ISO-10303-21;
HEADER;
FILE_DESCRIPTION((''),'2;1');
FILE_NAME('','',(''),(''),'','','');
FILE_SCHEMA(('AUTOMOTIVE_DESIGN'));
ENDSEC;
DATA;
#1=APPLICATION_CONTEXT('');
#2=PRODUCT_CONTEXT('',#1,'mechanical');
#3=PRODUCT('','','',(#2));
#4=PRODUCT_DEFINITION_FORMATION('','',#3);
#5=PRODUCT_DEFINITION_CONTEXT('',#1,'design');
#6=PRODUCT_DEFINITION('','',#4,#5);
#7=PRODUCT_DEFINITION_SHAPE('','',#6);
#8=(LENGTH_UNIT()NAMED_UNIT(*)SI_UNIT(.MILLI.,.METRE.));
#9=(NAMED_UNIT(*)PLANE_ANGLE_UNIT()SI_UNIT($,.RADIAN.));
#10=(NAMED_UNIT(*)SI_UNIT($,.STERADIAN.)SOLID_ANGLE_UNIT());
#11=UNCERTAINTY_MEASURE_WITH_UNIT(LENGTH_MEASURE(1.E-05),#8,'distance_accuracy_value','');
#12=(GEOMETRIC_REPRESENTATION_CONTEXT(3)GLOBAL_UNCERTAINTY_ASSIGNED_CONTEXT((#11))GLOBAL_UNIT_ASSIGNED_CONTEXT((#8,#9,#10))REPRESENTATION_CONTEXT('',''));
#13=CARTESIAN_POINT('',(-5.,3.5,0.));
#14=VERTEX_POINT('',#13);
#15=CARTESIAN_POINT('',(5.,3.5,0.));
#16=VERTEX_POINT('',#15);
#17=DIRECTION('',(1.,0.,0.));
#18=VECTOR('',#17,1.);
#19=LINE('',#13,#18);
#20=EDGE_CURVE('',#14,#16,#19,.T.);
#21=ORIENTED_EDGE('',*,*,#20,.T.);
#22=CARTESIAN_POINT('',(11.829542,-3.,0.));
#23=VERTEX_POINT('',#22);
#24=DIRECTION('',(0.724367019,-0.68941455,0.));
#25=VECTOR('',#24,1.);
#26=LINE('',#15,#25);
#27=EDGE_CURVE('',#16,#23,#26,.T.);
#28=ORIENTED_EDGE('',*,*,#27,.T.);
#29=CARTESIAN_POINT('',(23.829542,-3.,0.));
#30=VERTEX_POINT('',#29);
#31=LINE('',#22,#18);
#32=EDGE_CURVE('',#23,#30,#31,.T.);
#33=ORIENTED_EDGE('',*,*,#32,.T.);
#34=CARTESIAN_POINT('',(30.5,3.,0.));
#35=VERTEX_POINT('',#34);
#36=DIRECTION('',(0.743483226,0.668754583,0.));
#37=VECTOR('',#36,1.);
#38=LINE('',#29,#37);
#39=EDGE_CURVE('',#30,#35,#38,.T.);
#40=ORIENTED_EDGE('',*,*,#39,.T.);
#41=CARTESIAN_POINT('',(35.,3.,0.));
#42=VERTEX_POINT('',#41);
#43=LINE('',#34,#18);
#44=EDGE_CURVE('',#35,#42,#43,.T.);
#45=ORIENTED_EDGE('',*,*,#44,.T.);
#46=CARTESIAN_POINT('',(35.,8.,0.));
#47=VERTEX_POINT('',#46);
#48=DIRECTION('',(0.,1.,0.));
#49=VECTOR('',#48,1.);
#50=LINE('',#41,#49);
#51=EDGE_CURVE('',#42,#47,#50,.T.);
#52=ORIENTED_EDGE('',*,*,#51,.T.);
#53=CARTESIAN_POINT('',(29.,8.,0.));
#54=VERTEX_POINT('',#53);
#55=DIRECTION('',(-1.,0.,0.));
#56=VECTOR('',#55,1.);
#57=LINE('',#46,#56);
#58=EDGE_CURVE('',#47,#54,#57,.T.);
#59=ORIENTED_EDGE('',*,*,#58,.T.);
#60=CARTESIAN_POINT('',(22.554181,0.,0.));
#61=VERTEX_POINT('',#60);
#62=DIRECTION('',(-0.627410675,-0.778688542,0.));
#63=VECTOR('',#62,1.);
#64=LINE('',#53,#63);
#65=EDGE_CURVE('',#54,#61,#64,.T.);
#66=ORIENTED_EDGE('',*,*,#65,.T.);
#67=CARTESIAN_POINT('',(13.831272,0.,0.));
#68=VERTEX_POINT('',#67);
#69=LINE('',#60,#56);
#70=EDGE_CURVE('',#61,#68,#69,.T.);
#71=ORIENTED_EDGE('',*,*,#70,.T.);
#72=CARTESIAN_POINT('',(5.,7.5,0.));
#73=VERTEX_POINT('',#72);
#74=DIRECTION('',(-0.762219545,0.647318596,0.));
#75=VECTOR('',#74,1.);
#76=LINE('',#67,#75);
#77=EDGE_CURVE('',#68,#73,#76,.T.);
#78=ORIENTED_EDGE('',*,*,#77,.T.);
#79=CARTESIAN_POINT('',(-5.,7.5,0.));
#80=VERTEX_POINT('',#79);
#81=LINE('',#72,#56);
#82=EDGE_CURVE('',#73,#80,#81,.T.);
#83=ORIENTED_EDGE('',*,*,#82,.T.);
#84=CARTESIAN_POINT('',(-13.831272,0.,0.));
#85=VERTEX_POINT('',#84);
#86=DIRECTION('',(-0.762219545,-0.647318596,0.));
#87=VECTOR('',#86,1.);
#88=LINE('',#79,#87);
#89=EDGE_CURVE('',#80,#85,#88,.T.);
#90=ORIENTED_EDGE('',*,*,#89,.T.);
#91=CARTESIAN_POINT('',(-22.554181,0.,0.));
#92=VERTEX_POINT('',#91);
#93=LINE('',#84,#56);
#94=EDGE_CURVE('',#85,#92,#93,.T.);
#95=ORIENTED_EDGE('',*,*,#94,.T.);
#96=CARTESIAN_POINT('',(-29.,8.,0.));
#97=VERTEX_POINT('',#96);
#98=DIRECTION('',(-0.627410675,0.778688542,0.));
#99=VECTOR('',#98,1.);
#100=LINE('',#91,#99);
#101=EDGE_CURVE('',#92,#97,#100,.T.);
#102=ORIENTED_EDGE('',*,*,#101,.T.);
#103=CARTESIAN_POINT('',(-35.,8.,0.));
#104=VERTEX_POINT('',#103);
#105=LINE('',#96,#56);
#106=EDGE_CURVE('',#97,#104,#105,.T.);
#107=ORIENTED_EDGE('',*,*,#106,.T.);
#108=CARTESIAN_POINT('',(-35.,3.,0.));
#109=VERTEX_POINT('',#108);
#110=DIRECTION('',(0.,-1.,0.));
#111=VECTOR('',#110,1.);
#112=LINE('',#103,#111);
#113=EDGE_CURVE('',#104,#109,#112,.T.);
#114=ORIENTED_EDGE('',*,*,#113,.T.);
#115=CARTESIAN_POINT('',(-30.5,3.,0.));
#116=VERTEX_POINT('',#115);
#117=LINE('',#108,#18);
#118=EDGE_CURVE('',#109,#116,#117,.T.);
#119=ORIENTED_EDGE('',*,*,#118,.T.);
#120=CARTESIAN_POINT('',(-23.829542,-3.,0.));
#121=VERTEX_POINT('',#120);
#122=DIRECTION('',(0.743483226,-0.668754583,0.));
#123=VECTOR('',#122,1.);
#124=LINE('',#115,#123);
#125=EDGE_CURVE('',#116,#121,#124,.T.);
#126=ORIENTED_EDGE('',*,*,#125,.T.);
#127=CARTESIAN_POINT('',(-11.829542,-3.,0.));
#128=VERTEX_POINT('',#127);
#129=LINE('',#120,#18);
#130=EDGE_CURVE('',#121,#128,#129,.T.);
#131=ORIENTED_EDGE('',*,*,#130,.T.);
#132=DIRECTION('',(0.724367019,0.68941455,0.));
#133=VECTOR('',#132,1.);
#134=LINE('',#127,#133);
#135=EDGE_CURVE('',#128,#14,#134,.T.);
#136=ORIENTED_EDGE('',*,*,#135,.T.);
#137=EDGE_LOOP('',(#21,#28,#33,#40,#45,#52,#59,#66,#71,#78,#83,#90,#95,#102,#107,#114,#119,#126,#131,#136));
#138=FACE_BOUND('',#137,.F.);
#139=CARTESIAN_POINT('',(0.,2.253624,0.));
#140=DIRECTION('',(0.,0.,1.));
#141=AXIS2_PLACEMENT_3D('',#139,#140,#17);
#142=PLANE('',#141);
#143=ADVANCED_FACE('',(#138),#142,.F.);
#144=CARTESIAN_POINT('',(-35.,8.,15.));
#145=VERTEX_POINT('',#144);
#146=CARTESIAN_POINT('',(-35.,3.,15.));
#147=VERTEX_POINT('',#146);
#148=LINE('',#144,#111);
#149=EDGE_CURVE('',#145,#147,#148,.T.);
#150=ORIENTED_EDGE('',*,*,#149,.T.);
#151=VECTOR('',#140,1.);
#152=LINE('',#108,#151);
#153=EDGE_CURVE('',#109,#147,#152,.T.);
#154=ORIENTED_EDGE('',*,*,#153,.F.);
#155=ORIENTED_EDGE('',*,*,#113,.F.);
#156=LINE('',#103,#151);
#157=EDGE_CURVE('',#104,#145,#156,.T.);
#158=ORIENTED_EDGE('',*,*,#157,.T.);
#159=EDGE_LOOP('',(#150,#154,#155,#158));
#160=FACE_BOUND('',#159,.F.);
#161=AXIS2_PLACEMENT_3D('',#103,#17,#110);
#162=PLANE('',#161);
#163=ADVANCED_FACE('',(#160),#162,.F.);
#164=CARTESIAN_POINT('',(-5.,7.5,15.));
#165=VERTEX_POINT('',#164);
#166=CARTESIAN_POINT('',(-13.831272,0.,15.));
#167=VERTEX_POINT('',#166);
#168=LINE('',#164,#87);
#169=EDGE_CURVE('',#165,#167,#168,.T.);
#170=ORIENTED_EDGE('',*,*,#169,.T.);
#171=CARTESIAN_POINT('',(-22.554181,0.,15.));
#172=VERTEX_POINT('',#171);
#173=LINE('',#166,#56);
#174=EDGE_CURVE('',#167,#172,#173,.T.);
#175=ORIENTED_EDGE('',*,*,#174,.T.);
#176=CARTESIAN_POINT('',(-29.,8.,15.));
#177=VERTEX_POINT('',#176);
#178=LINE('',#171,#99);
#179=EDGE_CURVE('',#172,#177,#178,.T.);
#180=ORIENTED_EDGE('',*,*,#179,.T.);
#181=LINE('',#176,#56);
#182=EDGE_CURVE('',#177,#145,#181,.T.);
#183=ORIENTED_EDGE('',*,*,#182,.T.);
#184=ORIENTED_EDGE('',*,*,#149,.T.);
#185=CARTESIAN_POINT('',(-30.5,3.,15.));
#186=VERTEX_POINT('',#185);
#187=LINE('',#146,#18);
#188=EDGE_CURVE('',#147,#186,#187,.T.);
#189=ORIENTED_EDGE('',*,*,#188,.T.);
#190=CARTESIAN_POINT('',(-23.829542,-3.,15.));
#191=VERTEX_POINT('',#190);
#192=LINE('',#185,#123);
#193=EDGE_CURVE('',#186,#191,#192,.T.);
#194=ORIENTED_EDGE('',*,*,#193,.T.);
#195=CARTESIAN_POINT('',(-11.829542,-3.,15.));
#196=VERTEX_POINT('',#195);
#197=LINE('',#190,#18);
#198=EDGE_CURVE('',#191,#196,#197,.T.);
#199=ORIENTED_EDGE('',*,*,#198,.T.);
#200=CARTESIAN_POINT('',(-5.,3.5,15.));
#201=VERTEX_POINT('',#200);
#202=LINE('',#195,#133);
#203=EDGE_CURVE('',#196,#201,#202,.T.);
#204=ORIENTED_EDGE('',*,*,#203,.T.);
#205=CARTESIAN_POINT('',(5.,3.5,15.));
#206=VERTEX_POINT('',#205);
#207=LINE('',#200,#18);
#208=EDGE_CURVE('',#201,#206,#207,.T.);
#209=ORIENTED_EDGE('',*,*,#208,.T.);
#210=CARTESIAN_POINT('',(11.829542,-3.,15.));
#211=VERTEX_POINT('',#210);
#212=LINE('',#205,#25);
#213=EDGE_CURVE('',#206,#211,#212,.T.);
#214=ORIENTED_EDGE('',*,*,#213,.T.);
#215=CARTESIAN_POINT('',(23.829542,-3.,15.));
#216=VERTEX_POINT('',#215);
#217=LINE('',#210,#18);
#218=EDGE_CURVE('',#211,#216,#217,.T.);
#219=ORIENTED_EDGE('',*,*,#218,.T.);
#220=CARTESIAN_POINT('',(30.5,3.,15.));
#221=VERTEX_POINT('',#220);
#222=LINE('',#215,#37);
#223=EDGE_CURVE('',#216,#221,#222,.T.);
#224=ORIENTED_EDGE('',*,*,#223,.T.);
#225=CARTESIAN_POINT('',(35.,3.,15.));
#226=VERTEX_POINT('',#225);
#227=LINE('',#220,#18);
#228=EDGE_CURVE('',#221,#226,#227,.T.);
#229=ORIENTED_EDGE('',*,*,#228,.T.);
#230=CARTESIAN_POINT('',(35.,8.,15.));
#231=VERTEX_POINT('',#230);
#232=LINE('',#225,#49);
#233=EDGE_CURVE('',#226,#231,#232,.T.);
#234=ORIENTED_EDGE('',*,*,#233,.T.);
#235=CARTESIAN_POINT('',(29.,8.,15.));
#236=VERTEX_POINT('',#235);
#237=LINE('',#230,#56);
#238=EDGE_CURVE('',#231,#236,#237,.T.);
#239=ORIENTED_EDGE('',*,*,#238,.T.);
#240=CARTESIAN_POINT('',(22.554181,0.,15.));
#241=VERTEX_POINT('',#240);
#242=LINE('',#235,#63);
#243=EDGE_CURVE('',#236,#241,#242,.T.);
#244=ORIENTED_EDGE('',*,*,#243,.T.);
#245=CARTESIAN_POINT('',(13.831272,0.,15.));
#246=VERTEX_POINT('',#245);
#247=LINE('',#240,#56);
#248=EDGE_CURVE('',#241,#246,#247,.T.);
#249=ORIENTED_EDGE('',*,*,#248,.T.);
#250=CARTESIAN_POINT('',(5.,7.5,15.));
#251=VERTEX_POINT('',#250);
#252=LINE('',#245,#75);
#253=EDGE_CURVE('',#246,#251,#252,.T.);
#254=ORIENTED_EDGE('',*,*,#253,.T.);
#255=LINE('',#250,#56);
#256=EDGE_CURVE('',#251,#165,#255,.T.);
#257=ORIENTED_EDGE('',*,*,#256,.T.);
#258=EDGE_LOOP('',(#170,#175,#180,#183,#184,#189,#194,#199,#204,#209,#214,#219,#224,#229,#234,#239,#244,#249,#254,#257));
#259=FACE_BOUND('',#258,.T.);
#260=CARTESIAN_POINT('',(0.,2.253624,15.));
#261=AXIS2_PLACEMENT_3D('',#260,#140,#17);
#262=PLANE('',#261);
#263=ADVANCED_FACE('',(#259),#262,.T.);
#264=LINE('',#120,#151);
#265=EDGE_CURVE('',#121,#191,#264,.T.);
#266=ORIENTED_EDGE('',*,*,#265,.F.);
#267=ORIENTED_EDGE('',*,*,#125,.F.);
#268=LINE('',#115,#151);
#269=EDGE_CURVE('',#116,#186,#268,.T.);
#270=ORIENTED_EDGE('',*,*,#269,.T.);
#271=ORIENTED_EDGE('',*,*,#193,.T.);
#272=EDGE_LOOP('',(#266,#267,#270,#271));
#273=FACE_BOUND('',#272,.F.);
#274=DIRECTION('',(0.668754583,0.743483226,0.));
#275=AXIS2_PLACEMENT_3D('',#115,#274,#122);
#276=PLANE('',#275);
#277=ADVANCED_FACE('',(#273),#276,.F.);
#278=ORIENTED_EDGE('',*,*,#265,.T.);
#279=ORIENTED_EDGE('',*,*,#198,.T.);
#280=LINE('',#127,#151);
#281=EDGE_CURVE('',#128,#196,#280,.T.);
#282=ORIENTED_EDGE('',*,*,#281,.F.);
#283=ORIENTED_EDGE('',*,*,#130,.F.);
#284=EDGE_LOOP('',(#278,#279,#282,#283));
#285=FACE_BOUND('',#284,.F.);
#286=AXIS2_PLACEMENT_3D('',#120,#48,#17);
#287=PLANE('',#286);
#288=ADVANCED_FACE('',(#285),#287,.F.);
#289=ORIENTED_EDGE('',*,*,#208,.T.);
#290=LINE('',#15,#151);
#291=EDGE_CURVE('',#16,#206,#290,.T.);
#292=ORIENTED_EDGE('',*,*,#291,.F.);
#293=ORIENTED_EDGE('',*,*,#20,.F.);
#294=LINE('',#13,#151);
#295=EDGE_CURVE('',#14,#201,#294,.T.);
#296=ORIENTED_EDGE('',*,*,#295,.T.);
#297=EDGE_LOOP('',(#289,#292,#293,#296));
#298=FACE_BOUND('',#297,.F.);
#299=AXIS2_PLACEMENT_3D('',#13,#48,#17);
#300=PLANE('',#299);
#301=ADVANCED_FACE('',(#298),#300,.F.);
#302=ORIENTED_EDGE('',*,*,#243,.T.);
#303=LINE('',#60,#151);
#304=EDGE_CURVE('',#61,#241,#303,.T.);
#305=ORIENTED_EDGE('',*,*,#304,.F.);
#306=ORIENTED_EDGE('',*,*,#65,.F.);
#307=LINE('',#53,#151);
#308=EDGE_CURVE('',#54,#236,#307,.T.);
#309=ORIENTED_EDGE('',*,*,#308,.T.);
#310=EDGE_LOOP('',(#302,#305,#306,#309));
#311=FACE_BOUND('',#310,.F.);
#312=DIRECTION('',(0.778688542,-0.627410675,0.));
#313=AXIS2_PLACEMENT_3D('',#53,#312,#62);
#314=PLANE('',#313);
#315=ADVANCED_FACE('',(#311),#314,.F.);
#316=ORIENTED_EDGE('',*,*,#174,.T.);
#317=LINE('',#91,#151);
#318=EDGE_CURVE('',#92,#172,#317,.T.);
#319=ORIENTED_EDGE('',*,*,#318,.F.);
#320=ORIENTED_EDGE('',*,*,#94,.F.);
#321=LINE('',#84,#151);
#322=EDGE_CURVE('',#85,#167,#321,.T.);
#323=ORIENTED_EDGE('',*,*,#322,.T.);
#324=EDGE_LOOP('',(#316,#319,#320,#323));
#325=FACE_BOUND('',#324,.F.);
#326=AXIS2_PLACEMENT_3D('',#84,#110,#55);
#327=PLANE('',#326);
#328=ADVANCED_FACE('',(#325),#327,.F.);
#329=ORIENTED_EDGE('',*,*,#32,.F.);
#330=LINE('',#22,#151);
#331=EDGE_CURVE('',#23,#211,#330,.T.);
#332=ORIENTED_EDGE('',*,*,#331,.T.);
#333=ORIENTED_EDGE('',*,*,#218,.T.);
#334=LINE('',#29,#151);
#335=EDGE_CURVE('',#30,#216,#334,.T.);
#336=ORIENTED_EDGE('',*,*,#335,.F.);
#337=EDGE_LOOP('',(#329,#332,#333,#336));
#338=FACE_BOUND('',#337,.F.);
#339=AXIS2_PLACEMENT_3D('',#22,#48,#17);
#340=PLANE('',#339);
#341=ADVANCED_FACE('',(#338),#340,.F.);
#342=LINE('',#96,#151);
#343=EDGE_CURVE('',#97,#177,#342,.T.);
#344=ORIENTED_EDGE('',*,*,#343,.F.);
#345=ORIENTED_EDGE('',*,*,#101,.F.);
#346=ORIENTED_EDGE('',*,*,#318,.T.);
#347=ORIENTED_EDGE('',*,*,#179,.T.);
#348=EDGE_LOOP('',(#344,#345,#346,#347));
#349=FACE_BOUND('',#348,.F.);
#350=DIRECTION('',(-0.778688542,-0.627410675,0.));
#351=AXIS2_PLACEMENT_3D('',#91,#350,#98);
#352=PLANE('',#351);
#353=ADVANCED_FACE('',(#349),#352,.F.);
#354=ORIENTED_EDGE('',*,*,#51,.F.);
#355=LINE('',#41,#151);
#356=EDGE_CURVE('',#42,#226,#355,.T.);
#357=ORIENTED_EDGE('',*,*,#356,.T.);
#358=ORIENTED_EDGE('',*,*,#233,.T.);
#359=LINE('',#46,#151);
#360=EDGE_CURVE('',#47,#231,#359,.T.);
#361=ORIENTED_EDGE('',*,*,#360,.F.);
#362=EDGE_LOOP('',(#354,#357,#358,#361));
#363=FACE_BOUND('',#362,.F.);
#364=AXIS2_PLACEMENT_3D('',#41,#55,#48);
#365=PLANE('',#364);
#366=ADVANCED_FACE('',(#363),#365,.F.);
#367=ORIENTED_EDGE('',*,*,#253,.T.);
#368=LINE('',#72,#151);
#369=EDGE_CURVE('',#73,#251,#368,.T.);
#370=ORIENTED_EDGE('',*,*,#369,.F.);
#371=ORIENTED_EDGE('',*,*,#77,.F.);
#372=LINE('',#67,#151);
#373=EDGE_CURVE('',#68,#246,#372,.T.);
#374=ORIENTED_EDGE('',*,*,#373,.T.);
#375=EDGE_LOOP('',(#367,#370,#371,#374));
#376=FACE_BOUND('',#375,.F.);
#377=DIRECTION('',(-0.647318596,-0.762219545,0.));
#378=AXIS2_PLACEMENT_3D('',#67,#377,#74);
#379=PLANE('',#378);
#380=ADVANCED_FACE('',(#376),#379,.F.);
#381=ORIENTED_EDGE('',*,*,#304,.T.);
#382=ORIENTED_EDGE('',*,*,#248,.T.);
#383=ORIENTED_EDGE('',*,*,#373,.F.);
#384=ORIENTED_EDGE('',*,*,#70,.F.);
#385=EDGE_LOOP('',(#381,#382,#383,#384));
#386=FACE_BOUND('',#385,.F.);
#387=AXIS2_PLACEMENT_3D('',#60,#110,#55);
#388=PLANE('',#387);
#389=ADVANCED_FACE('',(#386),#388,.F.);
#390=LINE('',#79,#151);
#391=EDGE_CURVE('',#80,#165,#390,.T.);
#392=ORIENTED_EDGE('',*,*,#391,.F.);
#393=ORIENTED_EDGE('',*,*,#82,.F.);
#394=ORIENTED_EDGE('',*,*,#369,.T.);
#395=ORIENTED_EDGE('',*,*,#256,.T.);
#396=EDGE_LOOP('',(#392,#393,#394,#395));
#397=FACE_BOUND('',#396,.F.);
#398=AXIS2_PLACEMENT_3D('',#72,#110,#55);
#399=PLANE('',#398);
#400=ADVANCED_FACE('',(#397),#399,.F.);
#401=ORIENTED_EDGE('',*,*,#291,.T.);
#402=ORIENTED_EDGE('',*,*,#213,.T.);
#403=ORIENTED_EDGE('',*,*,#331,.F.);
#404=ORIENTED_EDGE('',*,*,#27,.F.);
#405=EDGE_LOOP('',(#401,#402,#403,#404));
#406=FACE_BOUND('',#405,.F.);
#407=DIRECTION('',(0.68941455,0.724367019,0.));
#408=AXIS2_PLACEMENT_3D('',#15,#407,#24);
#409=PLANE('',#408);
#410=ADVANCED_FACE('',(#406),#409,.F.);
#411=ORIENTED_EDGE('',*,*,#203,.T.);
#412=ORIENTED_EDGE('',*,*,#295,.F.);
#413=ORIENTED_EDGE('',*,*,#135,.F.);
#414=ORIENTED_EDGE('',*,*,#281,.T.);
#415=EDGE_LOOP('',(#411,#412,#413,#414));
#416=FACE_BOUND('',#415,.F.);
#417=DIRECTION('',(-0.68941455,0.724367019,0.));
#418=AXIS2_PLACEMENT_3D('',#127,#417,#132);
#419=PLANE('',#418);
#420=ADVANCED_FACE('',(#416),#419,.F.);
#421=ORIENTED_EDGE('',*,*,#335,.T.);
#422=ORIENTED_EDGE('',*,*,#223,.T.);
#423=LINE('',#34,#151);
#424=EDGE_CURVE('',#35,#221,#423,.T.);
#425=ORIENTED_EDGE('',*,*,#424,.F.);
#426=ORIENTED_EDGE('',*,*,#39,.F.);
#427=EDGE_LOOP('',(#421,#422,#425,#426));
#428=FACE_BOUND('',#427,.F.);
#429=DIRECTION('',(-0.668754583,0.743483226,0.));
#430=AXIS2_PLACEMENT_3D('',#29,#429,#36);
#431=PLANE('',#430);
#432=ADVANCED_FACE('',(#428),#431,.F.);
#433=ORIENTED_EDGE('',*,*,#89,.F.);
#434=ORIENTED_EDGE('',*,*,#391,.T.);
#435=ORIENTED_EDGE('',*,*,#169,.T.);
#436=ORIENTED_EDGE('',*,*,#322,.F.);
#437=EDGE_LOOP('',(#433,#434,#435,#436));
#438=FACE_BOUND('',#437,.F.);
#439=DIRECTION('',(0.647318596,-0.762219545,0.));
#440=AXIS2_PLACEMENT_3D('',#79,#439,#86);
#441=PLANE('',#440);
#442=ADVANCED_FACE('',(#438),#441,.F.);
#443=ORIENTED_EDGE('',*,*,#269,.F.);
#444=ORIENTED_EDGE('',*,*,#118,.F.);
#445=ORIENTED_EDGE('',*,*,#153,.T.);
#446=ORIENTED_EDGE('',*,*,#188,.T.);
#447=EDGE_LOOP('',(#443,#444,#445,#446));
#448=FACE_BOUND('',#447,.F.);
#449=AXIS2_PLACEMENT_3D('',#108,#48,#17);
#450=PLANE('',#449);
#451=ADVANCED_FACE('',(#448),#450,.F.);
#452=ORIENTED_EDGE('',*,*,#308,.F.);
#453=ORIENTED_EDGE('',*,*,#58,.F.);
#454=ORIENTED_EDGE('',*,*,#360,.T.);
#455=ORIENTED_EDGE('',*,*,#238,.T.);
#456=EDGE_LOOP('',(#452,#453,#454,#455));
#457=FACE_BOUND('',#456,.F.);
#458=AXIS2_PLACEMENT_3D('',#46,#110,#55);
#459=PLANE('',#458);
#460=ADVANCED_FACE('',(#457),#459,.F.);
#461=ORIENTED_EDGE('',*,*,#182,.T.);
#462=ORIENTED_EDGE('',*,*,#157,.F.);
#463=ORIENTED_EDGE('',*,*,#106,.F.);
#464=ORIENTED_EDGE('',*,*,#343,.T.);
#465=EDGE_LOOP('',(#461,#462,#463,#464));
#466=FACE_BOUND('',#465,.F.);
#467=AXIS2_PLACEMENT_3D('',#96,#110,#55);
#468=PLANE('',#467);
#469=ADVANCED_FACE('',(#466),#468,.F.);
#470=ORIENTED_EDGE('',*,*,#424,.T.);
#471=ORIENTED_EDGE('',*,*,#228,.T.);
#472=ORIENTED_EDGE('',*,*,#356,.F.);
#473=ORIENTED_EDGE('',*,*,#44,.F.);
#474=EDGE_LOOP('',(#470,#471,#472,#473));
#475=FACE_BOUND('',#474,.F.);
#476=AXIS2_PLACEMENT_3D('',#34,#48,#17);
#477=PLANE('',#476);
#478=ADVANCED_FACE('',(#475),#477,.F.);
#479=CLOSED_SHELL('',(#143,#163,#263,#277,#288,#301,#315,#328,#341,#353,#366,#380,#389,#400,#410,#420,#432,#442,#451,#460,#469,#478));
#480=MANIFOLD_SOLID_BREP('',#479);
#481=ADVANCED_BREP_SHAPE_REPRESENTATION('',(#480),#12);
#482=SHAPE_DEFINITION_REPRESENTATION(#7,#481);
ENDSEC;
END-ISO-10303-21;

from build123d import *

# Parameters (mm, degrees)
F1_DEPTH = 15


with BuildPart() as f1:
    # F0 (on Top) → F1 (new body)
    with BuildSketch(Plane.XY):
        Polygon((5, 7.5), (0, 7.5), (-5, 7.5), (-13.831272, 0), (-22.554181, 0), (-29, 8), (-35, 8), (-35, 3), (-30.5, 3), (-23.829542, -3), (-11.829542, -3), (-5, 3.5), (0, 3.5), (5, 3.5), (11.829542, -3), (23.829542, -3), (30.5, 3), (35, 3), (35, 8), (29, 8), (22.554181, 0), (13.831272, 0), align=None)
    extrude(amount=F1_DEPTH)


solid = f1.part
